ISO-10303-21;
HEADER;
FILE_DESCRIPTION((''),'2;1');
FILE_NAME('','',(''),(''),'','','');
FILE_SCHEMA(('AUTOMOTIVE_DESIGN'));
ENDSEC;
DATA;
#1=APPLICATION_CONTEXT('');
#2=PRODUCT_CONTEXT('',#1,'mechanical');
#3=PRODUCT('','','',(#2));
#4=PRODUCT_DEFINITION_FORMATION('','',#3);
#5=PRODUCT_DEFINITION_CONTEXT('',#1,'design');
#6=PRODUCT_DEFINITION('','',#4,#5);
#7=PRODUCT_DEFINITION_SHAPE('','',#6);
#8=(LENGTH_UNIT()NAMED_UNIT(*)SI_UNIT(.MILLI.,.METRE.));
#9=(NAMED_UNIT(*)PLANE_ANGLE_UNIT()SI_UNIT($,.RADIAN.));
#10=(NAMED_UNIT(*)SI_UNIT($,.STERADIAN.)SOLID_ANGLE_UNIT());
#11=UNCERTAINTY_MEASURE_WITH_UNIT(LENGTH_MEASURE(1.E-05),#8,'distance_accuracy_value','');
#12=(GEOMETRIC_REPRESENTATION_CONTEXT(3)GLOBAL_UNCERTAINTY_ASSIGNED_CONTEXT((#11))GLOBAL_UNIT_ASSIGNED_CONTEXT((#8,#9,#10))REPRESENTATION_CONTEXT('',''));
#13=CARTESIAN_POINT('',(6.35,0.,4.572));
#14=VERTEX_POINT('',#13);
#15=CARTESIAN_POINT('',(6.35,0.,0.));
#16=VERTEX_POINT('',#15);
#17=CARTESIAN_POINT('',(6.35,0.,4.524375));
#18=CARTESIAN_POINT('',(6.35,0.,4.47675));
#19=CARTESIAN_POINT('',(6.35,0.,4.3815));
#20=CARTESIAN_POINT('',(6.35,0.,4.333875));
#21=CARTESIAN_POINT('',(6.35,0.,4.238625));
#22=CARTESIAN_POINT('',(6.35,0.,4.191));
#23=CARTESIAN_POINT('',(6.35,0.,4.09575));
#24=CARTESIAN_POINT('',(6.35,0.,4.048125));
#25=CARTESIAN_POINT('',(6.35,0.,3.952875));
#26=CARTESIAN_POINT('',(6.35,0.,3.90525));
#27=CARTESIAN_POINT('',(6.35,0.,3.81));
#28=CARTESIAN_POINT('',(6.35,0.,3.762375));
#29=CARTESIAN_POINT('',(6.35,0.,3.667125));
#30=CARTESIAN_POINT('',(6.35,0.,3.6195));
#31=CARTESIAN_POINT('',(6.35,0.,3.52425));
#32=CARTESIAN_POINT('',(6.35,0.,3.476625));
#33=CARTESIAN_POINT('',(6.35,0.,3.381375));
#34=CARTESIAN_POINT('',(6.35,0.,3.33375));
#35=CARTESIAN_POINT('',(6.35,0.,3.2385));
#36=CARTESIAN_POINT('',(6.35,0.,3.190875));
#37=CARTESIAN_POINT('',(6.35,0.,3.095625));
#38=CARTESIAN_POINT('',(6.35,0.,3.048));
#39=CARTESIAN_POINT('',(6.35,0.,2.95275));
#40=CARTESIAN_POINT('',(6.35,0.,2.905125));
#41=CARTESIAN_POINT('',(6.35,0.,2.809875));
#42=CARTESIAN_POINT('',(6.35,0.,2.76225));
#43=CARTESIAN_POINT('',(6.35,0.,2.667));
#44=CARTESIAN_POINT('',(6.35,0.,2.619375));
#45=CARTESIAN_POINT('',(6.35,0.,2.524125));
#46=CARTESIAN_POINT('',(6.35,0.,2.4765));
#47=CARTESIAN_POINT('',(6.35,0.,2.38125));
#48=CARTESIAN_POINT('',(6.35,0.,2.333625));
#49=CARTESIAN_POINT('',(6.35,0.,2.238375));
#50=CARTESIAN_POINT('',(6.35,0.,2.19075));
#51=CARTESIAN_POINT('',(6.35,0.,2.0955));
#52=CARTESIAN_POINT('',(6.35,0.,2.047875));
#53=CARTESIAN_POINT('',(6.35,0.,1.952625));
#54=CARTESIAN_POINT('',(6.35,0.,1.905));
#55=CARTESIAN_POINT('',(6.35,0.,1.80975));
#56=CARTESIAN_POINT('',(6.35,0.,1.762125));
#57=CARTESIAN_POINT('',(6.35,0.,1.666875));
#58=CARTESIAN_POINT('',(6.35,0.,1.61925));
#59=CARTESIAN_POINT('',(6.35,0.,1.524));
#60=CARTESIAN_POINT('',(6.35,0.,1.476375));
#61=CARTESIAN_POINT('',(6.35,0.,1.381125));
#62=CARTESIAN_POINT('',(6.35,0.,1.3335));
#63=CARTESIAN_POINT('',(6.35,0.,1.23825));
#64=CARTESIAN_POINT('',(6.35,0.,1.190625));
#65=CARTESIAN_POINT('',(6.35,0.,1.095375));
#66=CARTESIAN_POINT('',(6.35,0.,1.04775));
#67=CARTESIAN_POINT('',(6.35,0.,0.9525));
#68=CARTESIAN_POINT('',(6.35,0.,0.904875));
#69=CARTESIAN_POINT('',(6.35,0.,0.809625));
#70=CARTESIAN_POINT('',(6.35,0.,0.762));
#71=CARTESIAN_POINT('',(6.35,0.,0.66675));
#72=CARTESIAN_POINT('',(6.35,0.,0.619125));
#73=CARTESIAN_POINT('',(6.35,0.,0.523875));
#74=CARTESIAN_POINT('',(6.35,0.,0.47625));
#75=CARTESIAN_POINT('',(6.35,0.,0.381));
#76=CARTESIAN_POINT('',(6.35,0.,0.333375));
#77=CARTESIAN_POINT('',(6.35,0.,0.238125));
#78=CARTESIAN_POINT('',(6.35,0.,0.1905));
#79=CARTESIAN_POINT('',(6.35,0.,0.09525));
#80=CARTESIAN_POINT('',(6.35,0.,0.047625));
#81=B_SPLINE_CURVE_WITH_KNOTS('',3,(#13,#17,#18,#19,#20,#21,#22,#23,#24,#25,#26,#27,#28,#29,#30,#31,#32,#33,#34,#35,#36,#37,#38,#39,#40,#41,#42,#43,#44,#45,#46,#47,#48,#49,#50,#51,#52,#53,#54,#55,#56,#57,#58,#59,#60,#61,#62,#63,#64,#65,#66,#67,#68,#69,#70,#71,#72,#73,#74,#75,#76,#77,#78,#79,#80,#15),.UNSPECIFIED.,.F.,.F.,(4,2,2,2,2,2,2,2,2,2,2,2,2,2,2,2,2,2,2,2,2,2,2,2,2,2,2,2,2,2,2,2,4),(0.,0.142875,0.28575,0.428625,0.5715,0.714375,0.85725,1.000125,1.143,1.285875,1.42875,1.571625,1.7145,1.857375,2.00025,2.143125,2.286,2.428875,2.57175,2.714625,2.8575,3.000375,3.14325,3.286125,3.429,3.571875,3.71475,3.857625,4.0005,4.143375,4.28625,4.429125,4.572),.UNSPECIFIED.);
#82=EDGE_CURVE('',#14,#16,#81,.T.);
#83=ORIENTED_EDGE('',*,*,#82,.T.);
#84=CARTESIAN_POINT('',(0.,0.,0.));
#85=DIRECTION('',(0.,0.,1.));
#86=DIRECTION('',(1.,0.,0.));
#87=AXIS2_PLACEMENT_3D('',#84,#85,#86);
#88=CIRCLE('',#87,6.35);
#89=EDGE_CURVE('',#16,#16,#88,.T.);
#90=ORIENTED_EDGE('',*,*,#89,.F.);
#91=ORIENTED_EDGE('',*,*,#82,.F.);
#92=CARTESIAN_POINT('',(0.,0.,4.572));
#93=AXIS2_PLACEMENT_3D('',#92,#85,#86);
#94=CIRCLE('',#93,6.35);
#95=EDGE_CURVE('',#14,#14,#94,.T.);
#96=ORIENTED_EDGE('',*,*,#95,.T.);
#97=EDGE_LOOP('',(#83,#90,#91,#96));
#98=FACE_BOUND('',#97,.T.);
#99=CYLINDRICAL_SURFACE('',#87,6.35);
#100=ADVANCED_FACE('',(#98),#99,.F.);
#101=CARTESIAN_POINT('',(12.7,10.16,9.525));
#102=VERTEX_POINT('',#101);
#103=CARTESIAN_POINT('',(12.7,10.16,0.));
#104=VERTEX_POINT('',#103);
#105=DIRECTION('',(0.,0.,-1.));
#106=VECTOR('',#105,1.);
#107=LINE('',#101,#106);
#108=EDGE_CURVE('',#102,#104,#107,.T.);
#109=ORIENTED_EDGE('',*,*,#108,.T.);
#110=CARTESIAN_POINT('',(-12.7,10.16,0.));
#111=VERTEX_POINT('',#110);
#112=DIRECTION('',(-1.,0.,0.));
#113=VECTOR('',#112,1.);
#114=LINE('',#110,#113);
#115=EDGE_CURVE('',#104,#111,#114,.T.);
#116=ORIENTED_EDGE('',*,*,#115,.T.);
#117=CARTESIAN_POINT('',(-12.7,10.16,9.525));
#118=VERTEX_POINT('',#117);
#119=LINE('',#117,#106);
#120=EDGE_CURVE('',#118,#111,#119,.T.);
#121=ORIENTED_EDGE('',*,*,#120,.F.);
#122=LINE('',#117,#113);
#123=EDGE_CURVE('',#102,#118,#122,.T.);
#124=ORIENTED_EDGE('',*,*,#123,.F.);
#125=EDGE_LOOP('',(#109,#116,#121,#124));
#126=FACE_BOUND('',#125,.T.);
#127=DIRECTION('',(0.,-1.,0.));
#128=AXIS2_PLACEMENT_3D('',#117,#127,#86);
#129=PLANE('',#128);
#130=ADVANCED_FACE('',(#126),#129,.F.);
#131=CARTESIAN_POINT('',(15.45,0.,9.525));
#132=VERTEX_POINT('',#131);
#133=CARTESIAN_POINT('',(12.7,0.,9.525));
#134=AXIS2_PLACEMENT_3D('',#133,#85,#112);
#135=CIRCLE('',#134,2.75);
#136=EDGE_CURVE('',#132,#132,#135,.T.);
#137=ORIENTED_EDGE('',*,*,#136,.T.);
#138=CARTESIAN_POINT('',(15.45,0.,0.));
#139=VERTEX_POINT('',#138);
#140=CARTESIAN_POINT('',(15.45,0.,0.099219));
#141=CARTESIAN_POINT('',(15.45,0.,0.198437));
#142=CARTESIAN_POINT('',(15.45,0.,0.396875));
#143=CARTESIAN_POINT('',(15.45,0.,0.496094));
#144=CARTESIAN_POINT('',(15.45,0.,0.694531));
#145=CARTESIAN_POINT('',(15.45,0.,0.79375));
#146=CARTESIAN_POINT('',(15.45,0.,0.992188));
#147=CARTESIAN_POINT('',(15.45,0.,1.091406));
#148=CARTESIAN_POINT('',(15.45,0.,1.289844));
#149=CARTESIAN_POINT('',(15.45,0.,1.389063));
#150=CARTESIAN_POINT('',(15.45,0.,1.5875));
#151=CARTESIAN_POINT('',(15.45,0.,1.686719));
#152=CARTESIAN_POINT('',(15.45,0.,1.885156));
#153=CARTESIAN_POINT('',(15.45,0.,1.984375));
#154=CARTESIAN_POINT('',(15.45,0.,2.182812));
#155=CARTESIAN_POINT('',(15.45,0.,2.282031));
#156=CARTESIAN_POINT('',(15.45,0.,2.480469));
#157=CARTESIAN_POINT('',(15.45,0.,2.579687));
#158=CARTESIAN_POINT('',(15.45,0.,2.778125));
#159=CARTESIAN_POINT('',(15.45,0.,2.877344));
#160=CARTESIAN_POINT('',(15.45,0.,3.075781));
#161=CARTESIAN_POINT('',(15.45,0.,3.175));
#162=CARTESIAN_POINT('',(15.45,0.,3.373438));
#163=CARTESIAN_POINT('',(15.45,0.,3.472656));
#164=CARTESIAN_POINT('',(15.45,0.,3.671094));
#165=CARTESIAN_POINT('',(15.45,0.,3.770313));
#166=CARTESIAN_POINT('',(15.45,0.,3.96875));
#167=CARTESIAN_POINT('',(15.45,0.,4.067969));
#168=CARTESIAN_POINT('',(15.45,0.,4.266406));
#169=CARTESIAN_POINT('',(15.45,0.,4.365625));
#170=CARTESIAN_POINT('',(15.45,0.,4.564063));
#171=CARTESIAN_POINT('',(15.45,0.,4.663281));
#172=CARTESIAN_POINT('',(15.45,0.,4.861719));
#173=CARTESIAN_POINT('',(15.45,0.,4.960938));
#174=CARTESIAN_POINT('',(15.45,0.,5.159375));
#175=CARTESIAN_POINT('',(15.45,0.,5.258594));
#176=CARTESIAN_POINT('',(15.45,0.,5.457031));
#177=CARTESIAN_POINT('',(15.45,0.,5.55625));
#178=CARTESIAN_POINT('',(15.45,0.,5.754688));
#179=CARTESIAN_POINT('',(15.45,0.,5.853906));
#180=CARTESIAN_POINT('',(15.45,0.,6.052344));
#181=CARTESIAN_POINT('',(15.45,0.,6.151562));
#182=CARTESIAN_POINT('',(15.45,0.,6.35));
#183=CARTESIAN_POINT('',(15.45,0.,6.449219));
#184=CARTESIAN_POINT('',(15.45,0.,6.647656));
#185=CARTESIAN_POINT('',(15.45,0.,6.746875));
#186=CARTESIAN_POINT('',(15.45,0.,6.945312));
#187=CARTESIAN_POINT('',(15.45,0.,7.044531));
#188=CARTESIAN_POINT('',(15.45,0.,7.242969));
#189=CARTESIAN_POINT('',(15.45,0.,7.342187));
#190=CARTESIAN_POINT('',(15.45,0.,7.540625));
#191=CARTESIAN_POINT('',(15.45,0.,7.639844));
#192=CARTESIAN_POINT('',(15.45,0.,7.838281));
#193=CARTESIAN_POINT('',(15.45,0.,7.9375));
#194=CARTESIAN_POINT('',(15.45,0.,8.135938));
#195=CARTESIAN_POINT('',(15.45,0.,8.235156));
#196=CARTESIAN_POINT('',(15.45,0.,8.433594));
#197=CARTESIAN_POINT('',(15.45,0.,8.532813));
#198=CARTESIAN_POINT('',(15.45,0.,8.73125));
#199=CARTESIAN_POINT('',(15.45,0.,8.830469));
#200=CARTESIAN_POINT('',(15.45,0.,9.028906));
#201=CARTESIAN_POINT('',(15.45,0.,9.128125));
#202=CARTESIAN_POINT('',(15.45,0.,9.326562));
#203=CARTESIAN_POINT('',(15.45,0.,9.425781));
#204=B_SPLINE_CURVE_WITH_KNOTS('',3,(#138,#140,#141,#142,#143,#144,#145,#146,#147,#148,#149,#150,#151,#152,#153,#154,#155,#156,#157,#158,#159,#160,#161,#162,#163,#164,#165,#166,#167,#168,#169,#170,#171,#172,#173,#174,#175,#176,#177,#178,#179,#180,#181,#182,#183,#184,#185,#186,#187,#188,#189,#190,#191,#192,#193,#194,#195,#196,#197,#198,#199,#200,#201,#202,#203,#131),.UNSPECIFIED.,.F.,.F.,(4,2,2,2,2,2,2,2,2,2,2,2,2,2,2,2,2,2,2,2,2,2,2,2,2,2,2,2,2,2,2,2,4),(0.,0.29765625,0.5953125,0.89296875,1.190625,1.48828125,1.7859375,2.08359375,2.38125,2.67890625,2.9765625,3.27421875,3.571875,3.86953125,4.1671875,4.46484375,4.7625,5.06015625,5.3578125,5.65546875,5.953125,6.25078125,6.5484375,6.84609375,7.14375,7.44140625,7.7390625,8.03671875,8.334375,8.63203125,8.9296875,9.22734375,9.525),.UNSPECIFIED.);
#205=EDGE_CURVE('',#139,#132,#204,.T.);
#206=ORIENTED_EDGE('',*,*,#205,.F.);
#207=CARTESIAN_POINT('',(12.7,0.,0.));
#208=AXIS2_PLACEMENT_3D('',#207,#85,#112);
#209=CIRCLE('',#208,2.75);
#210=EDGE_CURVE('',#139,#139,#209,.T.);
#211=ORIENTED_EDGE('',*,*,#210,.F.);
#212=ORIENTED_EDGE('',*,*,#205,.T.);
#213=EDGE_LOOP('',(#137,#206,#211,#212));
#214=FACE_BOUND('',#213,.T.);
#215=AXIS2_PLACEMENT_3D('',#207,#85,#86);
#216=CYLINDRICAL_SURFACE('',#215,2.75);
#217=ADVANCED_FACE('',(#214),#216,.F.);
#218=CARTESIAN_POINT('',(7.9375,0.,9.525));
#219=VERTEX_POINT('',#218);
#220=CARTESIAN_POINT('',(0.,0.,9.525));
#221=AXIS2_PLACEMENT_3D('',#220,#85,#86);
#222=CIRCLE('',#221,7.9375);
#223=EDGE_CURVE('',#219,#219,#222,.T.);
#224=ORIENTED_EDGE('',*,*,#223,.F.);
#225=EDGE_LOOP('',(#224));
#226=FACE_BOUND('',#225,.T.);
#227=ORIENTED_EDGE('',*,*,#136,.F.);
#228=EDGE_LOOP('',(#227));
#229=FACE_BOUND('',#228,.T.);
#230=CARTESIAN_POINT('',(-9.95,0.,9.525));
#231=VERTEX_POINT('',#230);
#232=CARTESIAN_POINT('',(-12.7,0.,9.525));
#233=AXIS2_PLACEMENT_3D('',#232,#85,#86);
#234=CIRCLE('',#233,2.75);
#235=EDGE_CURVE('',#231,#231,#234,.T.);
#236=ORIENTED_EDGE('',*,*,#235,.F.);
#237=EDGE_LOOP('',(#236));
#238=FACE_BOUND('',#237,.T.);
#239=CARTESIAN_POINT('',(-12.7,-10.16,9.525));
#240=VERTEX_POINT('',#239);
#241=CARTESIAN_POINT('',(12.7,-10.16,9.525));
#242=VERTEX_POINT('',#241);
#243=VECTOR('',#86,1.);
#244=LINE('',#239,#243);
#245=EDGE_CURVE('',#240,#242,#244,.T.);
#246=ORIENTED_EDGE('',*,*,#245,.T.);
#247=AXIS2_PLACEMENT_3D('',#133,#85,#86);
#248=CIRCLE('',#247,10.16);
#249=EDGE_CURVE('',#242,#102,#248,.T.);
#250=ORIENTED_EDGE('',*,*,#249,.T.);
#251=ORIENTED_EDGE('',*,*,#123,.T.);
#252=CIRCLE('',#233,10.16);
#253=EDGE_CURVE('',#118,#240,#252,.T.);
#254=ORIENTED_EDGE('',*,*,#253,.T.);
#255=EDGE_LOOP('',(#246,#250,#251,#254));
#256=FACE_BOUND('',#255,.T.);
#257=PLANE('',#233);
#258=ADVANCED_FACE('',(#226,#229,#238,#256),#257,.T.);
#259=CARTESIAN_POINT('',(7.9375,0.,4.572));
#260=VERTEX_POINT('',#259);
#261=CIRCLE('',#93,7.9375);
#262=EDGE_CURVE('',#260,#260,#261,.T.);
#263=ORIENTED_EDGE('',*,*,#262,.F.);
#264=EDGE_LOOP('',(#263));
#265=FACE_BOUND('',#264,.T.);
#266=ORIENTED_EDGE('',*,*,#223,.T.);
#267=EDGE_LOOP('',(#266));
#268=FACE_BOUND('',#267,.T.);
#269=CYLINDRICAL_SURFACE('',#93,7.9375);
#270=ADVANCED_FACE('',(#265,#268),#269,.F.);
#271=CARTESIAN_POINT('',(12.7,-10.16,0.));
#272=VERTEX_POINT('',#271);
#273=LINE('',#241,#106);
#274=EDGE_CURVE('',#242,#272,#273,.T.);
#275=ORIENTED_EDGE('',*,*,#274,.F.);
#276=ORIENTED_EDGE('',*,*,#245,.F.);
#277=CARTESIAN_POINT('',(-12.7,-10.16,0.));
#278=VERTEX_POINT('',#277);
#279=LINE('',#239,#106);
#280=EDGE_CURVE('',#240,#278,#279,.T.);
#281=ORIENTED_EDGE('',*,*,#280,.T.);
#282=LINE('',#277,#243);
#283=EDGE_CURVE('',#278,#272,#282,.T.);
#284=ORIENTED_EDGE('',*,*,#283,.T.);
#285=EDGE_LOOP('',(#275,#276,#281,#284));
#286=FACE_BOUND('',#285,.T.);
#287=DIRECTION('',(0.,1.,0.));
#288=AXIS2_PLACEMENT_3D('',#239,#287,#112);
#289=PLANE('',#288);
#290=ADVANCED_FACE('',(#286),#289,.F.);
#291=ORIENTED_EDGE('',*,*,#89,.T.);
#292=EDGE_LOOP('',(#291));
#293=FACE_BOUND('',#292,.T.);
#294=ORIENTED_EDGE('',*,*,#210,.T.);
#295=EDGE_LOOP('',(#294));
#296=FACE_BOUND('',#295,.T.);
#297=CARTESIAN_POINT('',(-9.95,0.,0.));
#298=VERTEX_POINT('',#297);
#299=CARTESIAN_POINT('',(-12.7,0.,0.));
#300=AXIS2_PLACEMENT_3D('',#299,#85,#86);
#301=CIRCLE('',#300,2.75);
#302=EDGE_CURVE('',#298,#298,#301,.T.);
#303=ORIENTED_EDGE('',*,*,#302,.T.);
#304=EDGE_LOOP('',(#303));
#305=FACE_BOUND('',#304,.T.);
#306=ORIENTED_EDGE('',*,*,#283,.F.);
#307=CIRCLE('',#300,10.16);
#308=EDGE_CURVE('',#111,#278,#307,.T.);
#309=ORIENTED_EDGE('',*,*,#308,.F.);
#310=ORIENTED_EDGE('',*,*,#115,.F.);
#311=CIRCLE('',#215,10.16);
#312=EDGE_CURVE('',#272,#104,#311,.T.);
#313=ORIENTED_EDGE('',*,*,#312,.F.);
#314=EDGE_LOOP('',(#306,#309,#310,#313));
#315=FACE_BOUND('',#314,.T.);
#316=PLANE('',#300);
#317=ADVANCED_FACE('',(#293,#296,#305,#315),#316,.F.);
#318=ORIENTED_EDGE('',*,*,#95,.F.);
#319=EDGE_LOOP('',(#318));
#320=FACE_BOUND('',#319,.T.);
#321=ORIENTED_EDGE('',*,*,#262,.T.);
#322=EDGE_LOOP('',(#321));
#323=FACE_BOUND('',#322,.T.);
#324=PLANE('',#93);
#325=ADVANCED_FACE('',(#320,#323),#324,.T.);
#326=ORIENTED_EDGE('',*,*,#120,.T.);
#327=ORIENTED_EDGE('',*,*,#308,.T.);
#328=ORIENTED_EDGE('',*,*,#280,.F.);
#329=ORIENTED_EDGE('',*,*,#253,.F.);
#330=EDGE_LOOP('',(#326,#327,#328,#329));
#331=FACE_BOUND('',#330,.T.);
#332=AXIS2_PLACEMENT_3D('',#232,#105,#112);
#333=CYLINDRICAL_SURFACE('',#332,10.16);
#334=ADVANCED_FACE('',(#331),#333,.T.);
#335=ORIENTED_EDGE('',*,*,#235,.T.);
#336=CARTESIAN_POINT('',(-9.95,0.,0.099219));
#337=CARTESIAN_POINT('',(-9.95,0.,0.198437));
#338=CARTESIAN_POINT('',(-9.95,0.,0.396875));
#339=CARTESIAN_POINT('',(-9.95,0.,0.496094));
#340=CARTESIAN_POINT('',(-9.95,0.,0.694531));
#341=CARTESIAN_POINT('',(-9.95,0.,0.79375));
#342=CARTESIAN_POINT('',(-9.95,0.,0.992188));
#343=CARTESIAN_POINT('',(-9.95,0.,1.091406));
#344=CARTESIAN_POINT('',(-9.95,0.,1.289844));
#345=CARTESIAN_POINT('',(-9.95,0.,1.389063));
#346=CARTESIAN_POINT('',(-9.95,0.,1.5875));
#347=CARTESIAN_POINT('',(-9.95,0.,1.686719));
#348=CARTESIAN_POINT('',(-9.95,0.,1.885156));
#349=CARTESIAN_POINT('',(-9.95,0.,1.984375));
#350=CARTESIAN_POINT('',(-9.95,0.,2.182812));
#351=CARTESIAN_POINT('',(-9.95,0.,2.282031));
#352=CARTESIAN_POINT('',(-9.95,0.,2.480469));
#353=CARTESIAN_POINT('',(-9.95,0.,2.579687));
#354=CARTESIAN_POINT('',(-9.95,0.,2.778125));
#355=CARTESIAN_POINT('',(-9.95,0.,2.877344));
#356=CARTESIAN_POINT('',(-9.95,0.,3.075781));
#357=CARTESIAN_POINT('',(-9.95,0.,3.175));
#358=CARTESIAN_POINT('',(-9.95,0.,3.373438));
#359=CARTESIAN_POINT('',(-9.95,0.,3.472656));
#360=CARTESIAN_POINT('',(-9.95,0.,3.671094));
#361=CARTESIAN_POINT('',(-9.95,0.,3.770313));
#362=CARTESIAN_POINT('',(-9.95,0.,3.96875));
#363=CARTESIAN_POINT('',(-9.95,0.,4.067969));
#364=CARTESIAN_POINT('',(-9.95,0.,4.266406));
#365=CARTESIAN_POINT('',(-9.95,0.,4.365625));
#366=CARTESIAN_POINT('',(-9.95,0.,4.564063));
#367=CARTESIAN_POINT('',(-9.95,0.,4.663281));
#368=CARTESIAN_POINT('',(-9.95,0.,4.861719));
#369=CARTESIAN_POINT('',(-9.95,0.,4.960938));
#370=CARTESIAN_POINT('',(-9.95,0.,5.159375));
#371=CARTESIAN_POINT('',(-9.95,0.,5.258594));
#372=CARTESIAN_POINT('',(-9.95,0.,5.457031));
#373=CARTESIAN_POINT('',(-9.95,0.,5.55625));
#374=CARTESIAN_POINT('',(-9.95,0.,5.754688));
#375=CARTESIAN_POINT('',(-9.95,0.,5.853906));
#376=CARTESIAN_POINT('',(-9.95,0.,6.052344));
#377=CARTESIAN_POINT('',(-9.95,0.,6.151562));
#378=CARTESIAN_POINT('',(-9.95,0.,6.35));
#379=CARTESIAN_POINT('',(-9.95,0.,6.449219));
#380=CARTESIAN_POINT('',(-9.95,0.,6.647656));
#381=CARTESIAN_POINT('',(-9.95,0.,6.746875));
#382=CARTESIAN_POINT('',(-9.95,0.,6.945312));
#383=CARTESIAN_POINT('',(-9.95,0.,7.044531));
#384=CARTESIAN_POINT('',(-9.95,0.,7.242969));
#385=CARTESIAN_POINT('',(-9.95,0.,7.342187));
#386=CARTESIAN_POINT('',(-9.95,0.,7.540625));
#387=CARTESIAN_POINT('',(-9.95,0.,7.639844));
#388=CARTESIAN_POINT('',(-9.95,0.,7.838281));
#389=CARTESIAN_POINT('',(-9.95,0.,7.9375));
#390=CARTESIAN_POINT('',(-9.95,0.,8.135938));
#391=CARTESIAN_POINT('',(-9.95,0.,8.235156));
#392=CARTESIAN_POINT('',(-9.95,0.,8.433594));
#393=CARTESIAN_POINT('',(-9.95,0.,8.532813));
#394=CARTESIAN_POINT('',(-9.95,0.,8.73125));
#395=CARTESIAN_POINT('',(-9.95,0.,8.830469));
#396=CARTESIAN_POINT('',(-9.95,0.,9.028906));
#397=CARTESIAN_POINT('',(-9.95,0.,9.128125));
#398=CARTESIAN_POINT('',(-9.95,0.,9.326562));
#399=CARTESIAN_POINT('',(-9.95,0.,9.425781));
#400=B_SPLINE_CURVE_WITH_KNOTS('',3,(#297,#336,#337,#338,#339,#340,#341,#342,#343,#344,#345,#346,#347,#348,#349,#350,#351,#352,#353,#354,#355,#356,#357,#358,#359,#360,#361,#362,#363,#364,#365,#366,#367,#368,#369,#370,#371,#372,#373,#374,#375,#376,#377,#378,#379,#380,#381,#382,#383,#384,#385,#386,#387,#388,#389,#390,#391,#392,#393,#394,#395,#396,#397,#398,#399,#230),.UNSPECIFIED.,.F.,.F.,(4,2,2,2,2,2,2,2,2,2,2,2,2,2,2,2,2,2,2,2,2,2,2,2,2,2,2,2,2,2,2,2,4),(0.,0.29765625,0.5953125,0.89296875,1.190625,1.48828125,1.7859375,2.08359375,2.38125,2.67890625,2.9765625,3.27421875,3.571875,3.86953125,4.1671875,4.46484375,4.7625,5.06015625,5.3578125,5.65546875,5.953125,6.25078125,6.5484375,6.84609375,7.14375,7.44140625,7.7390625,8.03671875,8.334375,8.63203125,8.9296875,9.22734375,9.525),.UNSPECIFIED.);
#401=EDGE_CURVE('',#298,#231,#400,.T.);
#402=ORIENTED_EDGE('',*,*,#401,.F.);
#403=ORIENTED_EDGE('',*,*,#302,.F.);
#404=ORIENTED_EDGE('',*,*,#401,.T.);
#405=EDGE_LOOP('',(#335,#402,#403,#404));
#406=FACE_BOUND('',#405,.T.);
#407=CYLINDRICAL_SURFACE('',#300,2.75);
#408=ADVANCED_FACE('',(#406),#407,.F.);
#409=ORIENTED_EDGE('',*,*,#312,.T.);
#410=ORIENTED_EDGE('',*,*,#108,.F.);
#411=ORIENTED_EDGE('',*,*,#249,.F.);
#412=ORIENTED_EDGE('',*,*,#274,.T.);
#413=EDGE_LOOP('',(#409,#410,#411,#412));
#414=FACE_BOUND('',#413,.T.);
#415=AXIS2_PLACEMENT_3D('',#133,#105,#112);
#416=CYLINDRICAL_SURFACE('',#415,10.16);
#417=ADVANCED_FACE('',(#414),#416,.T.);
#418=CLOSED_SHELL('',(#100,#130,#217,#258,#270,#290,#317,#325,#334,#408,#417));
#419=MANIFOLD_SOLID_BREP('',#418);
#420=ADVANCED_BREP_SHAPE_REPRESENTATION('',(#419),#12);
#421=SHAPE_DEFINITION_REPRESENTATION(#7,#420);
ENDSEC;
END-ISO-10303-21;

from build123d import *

# Parameters (mm, degrees)
BOSS_EXTRUDE5_DEPTH = 9.525
SKETCH5_R           = 7.9375
CUT_EXTRUDE3_DEPTH  = 4.953
SKETCH6_R           = 6.35
SKETCH6_R_2         = 2.75
CUT_EXTRUDE4_DEPTH  = 27.768093414


with BuildPart() as part:
    # Sketch2 → Boss-Extrude5 (new body)
    with BuildSketch(Plane.XY):
        with BuildLine():
            Line((-12.7, 10.16), (12.7, 10.16))
            ThreePointArc((12.7, 10.16), (22.86, 0), (12.7, -10.16))
            Line((12.7, -10.16), (-12.7, -10.16))
            ThreePointArc((-12.7, -10.16), (-22.86, 0), (-12.7, 10.16))
        make_face()
    extrude(amount=BOSS_EXTRUDE5_DEPTH)

    # Sketch5 → Cut-Extrude3 (cut)
    with BuildSketch(Plane.XY.offset(9.525)):
        Circle(SKETCH5_R)
    extrude(amount=-CUT_EXTRUDE3_DEPTH, mode=Mode.SUBTRACT)

    # Sketch6 → Cut-Extrude4 (cut, through all)
    with BuildSketch(Plane.XY.offset(9.525)):
        Circle(SKETCH6_R)
        with Locations((-12.7, 0)):
            Circle(SKETCH6_R_2)
        with Locations((12.7, 0)):
            Circle(SKETCH6_R_2)
    extrude(amount=-CUT_EXTRUDE4_DEPTH, mode=Mode.SUBTRACT)


solid = part.part
